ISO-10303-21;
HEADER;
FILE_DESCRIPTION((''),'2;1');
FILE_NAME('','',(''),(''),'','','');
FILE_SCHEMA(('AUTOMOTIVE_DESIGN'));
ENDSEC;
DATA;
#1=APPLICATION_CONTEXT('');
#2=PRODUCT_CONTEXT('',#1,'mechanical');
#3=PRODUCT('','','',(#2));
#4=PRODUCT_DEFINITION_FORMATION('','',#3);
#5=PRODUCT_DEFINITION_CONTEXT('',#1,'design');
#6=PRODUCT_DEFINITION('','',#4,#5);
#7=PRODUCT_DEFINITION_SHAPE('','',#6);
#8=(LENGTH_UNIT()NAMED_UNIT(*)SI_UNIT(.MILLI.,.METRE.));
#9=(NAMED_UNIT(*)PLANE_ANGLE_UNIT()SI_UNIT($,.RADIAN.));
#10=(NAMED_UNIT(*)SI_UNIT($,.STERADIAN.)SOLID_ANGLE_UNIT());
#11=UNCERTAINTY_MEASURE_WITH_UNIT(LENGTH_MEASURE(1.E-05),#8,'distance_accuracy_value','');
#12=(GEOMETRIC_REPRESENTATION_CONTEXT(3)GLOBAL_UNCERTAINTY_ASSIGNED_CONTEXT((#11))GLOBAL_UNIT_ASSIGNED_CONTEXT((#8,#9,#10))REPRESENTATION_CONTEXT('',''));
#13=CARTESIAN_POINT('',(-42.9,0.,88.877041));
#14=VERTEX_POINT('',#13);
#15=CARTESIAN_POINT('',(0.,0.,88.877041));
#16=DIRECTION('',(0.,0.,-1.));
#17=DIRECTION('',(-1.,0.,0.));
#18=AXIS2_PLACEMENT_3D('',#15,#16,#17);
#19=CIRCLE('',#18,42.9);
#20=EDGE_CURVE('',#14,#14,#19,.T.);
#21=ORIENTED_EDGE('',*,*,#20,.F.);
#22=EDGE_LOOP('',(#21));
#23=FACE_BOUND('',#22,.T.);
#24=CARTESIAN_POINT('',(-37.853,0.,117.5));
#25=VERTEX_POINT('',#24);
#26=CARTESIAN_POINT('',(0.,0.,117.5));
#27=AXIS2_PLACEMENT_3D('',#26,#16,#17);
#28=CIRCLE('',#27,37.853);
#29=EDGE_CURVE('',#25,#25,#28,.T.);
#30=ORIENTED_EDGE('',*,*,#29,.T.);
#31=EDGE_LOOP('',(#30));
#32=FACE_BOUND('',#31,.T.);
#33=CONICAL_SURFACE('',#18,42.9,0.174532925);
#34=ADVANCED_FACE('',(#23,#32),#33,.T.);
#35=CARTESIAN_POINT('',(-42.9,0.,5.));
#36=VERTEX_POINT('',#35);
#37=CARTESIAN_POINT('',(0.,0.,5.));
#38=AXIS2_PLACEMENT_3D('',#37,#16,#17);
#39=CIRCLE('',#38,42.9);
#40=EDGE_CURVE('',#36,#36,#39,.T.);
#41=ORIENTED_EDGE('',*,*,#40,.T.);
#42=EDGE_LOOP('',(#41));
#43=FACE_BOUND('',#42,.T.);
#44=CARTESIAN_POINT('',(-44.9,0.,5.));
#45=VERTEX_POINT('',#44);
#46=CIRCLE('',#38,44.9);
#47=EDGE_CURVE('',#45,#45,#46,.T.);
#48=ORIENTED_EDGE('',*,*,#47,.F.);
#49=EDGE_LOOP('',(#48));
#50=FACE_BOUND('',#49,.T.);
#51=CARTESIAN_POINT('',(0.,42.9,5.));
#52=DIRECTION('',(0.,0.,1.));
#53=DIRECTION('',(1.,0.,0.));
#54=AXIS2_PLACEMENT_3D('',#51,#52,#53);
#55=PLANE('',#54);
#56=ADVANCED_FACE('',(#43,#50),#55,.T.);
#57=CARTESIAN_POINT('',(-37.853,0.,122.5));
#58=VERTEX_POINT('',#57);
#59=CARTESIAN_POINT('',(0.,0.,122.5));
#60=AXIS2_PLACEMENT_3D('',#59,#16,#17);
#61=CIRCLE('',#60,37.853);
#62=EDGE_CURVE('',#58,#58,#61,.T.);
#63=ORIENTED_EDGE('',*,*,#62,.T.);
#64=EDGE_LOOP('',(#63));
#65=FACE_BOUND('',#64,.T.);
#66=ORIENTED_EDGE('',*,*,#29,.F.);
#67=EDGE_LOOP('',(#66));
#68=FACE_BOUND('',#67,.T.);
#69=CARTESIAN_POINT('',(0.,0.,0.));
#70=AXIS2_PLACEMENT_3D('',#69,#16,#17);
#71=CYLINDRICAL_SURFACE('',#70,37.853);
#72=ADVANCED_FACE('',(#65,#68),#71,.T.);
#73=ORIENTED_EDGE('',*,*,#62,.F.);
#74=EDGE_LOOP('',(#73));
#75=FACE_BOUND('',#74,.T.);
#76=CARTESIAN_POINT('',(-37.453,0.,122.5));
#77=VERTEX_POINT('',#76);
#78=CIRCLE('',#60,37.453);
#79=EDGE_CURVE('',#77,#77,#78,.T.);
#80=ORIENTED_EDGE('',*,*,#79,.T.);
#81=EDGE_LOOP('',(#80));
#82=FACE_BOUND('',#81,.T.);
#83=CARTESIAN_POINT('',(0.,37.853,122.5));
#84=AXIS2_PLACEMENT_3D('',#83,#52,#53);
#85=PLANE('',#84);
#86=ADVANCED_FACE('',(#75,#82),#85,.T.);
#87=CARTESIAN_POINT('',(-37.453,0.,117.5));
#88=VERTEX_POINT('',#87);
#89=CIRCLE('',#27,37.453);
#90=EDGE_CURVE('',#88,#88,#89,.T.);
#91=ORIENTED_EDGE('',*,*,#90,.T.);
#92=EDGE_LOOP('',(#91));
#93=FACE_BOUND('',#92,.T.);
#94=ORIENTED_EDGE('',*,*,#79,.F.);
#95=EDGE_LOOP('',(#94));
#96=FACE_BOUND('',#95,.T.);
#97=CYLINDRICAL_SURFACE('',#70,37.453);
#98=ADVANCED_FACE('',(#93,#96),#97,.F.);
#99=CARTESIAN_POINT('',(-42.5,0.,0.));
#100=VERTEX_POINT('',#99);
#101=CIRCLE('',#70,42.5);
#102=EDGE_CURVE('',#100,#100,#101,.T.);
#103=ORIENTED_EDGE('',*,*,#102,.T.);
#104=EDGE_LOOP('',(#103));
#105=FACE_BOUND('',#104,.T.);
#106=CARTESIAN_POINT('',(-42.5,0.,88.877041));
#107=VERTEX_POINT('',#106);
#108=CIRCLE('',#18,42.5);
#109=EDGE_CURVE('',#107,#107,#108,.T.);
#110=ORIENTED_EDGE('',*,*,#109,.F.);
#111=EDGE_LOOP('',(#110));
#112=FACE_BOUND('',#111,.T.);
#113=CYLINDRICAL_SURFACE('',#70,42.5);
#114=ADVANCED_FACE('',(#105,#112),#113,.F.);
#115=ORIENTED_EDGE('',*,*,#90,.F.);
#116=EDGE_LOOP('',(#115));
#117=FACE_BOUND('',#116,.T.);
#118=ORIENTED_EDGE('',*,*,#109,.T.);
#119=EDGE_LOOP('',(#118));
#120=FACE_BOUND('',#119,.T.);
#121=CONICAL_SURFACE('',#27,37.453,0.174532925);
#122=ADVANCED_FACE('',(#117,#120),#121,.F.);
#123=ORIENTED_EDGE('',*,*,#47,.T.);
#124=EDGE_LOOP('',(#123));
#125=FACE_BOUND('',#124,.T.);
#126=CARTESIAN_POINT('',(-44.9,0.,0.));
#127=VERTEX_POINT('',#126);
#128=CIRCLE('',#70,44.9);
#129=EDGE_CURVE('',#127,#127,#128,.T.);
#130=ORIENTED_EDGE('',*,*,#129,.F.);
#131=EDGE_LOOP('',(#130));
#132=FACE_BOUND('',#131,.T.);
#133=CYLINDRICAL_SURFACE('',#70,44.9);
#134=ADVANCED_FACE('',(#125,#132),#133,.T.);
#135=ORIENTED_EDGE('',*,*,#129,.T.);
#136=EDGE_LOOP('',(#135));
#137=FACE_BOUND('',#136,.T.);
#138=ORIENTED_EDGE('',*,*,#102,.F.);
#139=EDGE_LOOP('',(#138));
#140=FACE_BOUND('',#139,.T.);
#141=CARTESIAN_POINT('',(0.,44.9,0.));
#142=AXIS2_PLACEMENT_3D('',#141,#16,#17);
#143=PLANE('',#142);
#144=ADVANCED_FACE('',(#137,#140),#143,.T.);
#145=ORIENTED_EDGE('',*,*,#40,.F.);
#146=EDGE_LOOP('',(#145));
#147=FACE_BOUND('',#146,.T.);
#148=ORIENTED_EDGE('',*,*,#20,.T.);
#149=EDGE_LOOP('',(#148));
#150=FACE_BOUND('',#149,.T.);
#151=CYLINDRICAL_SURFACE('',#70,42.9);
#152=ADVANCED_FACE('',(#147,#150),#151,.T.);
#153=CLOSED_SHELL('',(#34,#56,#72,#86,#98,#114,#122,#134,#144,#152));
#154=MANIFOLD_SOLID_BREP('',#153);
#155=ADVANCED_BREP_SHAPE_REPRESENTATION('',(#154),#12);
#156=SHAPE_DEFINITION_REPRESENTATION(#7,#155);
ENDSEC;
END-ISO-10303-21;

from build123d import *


with BuildPart() as part:
    # Sketch1 → Revolve1 (revolve)
    with BuildSketch(Plane(origin=(0, 0, 0), x_dir=(0, 0, -1), z_dir=(1, 0, 0)), mode=Mode.PRIVATE) as revolve1_sk:
        Polygon((0, 42.5), (-88.877040656, 42.5), (-117.5, 37.453), (-122.5, 37.453), (-122.5, 37.853), (-117.5, 37.853), (-88.877040656, 42.9), (-5, 42.9), (-5, 44.9), (0, 44.9), align=None)
    revolve(revolve1_sk.sketch.rotate(Axis((0, 0, 0), (0, 0, 1)), 90), axis=Axis((0, 0, 0), (0, 0, 1)))


solid = part.part
